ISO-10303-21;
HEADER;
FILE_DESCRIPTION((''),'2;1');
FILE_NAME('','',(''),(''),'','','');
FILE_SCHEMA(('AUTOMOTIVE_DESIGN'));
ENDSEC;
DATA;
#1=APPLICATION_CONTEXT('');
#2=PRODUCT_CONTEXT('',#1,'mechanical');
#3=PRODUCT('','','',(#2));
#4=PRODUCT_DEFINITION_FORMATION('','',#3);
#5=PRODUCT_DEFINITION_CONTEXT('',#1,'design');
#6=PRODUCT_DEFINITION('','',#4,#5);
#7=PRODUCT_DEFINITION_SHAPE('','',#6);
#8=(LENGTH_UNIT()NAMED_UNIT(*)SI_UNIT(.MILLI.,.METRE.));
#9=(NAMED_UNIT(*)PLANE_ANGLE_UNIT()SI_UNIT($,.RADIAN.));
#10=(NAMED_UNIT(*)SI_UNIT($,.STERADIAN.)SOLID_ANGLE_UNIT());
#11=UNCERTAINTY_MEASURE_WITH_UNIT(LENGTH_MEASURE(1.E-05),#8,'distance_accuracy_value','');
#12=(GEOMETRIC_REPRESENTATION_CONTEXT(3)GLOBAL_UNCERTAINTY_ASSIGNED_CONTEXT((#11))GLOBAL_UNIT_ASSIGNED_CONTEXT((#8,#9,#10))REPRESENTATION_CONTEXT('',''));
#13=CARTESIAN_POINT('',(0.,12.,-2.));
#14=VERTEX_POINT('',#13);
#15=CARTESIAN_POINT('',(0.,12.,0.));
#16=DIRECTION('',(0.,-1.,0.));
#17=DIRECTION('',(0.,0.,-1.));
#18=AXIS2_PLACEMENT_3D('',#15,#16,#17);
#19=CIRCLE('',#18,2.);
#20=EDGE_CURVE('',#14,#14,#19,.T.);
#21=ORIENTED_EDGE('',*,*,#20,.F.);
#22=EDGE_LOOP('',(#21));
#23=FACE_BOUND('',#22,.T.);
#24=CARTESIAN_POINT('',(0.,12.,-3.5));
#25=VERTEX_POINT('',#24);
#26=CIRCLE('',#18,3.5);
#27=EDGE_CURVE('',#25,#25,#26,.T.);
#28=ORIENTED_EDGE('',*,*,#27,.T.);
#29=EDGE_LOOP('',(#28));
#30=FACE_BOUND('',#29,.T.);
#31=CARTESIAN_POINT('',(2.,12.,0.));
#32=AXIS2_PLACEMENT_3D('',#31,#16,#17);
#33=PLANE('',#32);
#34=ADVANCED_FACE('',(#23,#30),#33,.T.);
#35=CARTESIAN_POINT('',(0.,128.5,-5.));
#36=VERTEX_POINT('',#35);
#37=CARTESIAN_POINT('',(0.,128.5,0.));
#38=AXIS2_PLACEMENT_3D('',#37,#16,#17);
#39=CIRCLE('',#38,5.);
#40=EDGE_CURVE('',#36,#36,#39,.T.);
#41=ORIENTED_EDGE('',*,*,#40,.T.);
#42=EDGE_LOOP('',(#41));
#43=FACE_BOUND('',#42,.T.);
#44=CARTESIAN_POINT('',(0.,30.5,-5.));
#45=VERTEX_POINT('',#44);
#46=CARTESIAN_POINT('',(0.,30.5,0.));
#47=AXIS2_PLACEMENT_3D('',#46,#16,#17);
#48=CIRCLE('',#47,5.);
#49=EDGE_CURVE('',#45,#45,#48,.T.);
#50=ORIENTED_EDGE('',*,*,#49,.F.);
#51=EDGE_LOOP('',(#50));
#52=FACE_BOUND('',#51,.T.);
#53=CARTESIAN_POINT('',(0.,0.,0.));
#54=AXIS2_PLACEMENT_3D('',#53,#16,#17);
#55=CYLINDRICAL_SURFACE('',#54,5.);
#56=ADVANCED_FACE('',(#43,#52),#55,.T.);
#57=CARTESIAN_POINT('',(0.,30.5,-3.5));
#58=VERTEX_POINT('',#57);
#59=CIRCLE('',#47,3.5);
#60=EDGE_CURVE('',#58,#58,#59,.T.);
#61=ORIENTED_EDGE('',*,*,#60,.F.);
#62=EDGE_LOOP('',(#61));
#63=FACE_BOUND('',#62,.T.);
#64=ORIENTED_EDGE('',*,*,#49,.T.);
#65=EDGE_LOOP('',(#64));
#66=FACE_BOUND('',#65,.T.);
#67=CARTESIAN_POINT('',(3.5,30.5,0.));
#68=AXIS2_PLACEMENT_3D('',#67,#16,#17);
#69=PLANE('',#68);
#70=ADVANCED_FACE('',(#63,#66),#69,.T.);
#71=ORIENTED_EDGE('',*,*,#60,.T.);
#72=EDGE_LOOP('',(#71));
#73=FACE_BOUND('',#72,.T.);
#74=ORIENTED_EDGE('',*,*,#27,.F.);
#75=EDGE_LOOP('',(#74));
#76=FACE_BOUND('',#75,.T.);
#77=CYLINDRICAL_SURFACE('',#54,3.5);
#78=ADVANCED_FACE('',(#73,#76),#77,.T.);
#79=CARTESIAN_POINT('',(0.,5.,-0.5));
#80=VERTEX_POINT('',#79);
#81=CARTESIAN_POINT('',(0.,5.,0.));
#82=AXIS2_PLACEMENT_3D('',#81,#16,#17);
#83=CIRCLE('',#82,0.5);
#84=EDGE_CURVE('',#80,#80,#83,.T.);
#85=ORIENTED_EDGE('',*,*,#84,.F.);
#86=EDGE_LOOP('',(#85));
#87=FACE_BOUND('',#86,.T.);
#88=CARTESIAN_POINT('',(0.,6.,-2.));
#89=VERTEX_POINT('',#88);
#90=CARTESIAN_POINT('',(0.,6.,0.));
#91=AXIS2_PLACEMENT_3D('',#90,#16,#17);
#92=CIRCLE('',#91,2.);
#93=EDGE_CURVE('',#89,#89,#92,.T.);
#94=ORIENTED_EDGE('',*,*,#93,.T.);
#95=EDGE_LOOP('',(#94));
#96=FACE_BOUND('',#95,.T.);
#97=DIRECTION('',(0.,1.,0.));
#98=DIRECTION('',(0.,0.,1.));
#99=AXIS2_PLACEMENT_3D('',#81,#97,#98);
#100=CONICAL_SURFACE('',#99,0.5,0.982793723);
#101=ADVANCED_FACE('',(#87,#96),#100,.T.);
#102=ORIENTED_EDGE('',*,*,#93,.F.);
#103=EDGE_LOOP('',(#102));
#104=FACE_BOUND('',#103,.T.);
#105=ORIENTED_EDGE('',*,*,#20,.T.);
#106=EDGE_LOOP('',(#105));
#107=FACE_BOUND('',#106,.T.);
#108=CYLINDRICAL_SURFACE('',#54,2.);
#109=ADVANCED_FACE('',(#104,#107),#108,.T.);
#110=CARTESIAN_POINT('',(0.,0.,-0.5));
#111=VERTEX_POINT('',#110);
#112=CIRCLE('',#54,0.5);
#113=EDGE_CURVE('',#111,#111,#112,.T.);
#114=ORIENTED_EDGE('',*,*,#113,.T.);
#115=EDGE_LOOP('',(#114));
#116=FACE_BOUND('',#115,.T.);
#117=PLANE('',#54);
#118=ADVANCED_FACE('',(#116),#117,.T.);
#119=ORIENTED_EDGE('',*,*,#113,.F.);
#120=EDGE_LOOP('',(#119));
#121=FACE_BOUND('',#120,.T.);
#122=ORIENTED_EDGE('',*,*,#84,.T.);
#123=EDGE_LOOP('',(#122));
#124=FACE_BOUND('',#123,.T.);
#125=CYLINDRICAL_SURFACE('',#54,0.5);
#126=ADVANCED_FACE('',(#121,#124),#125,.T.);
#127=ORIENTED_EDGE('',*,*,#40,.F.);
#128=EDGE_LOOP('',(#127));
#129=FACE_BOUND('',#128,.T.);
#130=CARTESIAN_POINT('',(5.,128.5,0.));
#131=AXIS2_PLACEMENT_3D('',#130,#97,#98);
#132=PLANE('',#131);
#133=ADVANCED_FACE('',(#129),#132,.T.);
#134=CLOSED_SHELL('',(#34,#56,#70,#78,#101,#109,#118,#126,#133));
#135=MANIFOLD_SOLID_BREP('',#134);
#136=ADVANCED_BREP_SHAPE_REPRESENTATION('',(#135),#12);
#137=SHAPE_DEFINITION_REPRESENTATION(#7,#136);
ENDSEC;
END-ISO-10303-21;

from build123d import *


with BuildPart() as part:
    # Esboço1 → Revolução1 (revolve)
    with BuildSketch(Plane.XY):
        Polygon((0, 0), (0.5, 0), (0.5, 5), (2, 6), (2, 12), (3.5, 12), (3.5, 30.5), (5, 30.5), (5, 128.5), (0, 128.5), align=None)
    revolve(axis=Axis((0, 0, 0), (0, 1, 0)))


solid = part.part
